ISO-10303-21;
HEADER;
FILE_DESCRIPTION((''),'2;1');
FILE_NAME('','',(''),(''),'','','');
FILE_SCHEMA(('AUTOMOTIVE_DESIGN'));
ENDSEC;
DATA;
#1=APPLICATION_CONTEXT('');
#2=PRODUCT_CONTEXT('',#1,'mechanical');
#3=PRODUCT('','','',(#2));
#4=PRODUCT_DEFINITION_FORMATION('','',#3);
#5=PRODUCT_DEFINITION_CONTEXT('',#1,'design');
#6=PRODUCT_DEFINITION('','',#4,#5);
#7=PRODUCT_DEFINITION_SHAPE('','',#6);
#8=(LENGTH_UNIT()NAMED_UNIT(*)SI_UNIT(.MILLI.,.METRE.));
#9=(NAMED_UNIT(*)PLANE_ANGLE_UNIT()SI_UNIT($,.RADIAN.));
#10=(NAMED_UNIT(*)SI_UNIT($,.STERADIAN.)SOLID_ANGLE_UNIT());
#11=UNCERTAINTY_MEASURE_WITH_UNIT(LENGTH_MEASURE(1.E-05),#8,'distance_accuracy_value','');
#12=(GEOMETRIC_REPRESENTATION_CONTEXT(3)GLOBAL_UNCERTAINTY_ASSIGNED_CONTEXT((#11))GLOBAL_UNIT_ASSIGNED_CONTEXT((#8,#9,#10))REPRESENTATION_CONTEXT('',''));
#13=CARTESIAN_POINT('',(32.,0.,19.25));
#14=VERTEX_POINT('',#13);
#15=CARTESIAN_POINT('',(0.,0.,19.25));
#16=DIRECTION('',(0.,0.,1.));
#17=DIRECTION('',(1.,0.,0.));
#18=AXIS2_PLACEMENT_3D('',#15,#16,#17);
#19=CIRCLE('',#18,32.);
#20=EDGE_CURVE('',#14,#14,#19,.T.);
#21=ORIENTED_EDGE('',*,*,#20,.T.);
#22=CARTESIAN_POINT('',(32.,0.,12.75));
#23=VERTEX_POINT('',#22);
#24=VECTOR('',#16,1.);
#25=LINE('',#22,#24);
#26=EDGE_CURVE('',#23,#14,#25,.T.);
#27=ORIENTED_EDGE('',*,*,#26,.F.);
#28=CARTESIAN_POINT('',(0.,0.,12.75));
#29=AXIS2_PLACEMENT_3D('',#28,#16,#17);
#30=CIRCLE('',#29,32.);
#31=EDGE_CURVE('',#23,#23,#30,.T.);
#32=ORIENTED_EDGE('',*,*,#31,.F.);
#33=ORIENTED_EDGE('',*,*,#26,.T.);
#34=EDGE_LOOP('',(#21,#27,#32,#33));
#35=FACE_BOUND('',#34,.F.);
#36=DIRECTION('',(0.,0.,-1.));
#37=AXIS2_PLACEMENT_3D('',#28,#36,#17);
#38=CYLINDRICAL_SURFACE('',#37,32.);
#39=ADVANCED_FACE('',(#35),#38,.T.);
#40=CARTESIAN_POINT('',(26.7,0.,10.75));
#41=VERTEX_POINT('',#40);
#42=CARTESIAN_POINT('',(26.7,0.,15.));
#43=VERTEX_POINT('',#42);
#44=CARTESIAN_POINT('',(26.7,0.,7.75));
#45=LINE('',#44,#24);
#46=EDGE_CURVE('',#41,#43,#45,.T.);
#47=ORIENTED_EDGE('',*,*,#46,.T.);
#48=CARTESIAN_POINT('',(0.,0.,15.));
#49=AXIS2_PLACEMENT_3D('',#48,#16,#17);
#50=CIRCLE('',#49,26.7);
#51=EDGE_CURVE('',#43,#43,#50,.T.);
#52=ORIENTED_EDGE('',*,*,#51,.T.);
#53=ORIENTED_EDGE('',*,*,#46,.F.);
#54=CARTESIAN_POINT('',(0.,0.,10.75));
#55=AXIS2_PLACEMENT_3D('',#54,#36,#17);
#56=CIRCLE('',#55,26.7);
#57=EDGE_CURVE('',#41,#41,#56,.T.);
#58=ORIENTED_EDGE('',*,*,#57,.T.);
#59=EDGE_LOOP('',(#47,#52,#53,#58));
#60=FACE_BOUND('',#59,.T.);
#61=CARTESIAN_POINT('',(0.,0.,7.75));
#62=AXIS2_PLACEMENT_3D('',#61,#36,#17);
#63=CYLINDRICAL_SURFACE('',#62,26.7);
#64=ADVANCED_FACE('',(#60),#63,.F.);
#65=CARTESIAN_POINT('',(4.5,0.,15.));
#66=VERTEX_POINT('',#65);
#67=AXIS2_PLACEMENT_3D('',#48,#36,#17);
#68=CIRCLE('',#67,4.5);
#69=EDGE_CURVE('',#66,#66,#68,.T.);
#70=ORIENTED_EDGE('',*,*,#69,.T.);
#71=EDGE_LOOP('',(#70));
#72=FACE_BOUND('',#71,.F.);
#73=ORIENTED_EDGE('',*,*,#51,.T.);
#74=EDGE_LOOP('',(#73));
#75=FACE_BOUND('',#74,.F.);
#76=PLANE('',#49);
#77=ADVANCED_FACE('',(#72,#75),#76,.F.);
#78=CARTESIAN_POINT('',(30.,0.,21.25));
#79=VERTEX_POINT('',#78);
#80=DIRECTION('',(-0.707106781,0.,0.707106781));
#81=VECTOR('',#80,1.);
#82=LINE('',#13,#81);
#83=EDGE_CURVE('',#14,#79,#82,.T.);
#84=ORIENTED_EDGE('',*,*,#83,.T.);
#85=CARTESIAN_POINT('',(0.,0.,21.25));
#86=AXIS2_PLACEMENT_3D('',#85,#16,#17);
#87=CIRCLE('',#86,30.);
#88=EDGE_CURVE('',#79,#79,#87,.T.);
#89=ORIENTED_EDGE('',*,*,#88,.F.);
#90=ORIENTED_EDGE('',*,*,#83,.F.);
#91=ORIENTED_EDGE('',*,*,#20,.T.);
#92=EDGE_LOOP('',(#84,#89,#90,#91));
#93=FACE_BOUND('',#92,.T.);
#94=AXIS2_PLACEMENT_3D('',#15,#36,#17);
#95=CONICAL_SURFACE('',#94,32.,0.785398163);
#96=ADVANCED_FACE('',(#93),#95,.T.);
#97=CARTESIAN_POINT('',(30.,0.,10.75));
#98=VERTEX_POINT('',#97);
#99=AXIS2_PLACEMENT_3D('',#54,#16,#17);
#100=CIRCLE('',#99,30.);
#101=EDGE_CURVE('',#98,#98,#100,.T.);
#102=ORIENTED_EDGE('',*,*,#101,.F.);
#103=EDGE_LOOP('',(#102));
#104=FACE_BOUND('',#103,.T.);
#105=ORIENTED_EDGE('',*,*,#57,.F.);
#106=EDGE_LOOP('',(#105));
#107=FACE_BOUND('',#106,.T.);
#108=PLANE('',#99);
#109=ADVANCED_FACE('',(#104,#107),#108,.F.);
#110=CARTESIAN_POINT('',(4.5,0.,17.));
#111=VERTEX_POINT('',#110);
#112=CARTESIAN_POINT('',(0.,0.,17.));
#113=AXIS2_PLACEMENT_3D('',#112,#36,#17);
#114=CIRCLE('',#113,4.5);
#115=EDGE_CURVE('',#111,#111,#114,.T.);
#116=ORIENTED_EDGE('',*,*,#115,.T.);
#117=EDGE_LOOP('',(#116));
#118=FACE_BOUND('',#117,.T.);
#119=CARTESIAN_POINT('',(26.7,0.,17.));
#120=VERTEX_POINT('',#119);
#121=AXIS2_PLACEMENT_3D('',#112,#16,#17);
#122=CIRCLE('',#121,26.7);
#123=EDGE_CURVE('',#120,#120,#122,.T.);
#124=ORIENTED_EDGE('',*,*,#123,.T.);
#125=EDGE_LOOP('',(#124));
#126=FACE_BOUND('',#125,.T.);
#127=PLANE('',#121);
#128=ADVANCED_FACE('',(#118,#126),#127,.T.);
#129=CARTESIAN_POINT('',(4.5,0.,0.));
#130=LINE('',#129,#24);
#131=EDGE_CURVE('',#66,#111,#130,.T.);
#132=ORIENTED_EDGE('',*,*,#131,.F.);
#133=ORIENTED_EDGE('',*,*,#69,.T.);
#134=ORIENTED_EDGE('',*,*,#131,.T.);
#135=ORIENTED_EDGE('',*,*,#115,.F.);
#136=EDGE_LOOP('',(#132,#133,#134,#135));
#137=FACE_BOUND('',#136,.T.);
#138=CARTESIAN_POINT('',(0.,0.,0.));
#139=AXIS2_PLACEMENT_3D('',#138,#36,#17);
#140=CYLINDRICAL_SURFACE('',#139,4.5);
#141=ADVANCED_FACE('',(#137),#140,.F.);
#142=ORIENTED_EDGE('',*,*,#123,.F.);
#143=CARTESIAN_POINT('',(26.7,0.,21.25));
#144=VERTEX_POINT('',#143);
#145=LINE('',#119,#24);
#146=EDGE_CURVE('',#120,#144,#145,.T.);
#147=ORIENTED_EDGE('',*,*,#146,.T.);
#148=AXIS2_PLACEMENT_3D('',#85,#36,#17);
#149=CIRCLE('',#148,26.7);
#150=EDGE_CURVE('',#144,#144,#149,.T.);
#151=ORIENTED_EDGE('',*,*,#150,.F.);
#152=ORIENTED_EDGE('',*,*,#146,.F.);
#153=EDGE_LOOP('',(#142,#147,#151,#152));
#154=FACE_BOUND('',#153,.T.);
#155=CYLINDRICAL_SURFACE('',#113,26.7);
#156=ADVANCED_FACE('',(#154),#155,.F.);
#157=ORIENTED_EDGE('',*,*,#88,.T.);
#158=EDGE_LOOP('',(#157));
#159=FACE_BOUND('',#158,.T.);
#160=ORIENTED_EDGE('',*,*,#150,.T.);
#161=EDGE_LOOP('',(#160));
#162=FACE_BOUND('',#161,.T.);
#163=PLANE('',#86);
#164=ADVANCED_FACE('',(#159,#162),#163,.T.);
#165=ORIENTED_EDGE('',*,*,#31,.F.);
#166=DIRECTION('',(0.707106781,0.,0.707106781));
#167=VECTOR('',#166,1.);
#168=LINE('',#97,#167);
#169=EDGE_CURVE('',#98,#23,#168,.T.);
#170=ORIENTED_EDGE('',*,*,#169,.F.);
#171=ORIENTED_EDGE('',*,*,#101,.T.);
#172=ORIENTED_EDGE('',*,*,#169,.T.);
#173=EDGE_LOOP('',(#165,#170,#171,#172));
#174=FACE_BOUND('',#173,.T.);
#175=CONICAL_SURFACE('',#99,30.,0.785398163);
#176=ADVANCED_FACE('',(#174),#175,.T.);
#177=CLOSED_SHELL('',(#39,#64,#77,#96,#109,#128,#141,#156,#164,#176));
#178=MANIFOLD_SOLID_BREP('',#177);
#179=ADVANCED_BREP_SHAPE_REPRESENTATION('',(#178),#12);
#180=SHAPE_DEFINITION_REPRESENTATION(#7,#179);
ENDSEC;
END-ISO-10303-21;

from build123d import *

# Parameters (mm, degrees)
CYLINDER006_R     = 26.7
CYLINDER006_DEPTH = 7.25
CYLINDER007_R     = 4.5
CYLINDER007_DEPTH = 32
CYLINDER005_R     = 26.7
CYLINDER005_DEPTH = 7.25
CYLINDER004_R     = 32
CYLINDER004_DEPTH = 6.5


with BuildPart() as cylinder006:
    # Cylinder006 → Cylinder006 (new body)
    with BuildSketch(Plane.XY.offset(7.75)):
        Circle(CYLINDER006_R)
    extrude(amount=CYLINDER006_DEPTH)


with BuildPart() as cylinder007:
    # Cylinder007 → Cylinder007 (new body)
    with BuildSketch(Plane.XY):
        Circle(CYLINDER007_R)
    extrude(amount=CYLINDER007_DEPTH)


with BuildPart() as fusion003:
    # Cylinder005 → Cylinder005 (new body)
    with BuildSketch(Plane.XY.offset(17)):
        Circle(CYLINDER005_R)
    extrude(amount=CYLINDER005_DEPTH)

    # Fusion003: union Cylinder006, Cylinder007
    add(cylinder006.part)
    add(cylinder007.part)


with BuildPart() as cone002:
    # Cone002 → Cone002 (revolve)
    with BuildSketch(Plane(origin=(0, 0, 8.5), x_dir=(1, 0, 0), z_dir=(0, -1, 0))):
        Polygon((0, 0), (32, 0), (30, 2), (0, 2), align=None)
    revolve(axis=Axis((0, 0, 8.5), (0, 0, 1)))


with BuildPart() as cone003:
    # Cone003 → Cone003 (revolve)
    with BuildSketch(Plane.XZ):
        Polygon((0, 0), (30, 0), (32, 2), (0, 2), align=None)
    revolve(axis=Axis((0, 0, 0), (0, 0, 1)))


with BuildPart() as cut:
    # Cylinder004 → Cylinder004 (new body)
    with BuildSketch(Plane.XY.offset(2)):
        Circle(CYLINDER004_R)
    extrude(amount=CYLINDER004_DEPTH)

    # Fusion002: union Cone002, Cone003
    add(cone002.part)
    add(cone003.part)


with BuildPart() as cut_1:
    # Fusion002 placement: moved
    add(cut.part.moved(Location((0, 0, 10.75))))

    # Cut: cut Fusion003
    add(fusion003.part, mode=Mode.SUBTRACT)


solid = cut_1.part
